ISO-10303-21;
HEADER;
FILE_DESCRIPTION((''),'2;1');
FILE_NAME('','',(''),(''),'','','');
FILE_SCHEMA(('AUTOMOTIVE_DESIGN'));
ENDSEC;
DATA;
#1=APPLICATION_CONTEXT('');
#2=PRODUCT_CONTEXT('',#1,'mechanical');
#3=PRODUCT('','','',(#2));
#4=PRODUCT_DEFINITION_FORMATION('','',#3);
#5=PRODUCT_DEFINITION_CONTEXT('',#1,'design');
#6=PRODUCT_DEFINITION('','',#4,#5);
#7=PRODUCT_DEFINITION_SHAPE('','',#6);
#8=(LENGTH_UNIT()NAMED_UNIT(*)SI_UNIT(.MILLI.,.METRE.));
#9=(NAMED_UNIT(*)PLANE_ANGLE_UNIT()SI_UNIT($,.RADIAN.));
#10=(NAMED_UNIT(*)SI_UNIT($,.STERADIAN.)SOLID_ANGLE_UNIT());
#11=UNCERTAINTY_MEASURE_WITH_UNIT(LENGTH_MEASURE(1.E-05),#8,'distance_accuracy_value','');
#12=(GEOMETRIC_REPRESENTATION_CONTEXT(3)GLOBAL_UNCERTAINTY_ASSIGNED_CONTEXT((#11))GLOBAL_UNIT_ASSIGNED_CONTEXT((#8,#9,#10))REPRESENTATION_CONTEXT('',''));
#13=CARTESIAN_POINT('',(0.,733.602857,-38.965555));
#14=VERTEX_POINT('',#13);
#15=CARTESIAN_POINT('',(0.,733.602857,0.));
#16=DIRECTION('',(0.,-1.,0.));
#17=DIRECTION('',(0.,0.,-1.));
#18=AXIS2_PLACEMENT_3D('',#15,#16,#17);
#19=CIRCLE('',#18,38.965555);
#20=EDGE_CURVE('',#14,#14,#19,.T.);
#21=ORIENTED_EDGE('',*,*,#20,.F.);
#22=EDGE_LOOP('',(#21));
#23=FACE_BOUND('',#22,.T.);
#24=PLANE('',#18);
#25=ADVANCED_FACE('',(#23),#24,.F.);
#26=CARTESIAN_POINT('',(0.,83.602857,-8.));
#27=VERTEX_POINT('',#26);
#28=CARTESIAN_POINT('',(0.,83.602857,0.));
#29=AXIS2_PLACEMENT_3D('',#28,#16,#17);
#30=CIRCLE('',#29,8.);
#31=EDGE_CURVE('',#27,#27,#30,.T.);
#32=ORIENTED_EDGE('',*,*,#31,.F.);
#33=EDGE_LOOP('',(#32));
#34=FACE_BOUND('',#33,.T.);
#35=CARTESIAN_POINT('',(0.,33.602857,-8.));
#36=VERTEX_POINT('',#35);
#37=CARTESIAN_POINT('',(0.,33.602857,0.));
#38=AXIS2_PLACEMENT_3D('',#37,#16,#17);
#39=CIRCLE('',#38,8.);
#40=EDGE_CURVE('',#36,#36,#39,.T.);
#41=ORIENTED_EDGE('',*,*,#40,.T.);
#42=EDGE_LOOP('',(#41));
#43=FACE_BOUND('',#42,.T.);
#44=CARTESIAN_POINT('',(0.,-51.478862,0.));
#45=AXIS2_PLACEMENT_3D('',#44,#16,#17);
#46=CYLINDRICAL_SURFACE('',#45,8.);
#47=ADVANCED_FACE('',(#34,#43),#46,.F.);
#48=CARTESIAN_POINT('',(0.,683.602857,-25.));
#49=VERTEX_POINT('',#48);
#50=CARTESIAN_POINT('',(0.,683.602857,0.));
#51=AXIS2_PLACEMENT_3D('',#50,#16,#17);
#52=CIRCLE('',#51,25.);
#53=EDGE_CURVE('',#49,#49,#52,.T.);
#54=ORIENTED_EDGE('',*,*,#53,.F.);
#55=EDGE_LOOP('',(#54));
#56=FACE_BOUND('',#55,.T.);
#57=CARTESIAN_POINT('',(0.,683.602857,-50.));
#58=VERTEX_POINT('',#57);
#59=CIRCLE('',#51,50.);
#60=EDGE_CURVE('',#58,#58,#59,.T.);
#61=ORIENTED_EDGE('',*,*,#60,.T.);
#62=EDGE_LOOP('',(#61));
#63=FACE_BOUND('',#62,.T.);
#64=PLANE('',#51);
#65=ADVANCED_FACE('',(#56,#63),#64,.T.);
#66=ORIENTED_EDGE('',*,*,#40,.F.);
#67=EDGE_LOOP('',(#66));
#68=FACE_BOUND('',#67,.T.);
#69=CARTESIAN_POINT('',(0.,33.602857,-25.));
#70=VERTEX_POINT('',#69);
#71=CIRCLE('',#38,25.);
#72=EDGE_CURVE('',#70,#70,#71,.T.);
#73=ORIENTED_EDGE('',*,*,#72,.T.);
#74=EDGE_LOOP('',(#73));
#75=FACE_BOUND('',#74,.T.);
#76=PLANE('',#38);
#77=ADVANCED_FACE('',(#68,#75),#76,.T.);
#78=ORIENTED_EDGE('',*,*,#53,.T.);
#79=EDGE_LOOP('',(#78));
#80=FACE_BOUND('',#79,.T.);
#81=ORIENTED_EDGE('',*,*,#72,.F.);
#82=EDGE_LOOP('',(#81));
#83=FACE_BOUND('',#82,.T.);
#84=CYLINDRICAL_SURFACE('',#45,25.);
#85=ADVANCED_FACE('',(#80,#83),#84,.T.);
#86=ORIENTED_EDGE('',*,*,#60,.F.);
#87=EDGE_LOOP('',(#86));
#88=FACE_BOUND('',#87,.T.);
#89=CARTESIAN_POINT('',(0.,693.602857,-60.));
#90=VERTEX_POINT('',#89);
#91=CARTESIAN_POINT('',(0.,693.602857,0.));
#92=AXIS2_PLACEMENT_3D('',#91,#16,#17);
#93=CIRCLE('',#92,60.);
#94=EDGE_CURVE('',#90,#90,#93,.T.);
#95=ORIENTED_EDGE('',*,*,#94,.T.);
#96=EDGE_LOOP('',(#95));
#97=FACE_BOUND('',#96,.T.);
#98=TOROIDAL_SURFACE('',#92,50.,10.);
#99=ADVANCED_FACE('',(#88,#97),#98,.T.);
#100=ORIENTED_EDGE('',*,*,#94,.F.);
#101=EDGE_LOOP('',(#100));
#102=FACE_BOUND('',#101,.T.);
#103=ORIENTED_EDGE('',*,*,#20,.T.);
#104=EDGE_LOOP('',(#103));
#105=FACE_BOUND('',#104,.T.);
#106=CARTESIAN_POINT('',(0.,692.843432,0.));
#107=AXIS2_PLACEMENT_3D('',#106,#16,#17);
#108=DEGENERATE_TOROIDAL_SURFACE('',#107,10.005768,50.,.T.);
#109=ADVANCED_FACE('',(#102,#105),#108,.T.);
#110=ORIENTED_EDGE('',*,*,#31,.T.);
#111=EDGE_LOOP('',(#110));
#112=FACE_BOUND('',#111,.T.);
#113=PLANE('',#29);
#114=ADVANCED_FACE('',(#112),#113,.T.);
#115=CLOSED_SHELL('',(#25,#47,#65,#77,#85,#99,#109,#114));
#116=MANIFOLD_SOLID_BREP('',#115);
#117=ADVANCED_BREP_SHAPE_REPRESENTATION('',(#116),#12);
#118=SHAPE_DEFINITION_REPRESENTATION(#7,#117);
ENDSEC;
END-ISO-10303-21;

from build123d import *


with BuildPart() as part:
    # Esquisse1 → Révolution1 (revolve)
    with BuildSketch(Plane.XY, mode=Mode.PRIVATE) as r_volution1_sk:
        Polygon((8, 83.602856599), (8, 33.602856599), (25, 33.602856599), (25, 683.602856599), (0, 683.602856599), (0, 83.602856599), align=None)
        with BuildLine():
            Line((0, 693.602856599), (60, 693.602856599))
            ThreePointArc((60, 693.602856599), (54.2599688, 716.114995661), (38.965555337, 733.602856599))
            Line((38.965555337, 733.602856599), (0, 733.602856599))
            Line((0, 733.602856599), (0, 693.602856599))
        make_face()
        with BuildLine():
            Line((25, 683.602856599), (50, 683.602856599))
            ThreePointArc((50, 683.602856599), (57.071067812, 686.531788787), (60, 693.602856599))
            Line((60, 693.602856599), (0, 693.602856599))
            Line((0, 693.602856599), (0, 683.602856599))
            Line((0, 683.602856599), (25, 683.602856599))
        make_face()
    revolve(r_volution1_sk.sketch.rotate(Axis((0, -51.478862279, 0), (0, 1, 0)), 90), axis=Axis((0, -51.478862279, 0), (0, 1, 0)))


solid = part.part
